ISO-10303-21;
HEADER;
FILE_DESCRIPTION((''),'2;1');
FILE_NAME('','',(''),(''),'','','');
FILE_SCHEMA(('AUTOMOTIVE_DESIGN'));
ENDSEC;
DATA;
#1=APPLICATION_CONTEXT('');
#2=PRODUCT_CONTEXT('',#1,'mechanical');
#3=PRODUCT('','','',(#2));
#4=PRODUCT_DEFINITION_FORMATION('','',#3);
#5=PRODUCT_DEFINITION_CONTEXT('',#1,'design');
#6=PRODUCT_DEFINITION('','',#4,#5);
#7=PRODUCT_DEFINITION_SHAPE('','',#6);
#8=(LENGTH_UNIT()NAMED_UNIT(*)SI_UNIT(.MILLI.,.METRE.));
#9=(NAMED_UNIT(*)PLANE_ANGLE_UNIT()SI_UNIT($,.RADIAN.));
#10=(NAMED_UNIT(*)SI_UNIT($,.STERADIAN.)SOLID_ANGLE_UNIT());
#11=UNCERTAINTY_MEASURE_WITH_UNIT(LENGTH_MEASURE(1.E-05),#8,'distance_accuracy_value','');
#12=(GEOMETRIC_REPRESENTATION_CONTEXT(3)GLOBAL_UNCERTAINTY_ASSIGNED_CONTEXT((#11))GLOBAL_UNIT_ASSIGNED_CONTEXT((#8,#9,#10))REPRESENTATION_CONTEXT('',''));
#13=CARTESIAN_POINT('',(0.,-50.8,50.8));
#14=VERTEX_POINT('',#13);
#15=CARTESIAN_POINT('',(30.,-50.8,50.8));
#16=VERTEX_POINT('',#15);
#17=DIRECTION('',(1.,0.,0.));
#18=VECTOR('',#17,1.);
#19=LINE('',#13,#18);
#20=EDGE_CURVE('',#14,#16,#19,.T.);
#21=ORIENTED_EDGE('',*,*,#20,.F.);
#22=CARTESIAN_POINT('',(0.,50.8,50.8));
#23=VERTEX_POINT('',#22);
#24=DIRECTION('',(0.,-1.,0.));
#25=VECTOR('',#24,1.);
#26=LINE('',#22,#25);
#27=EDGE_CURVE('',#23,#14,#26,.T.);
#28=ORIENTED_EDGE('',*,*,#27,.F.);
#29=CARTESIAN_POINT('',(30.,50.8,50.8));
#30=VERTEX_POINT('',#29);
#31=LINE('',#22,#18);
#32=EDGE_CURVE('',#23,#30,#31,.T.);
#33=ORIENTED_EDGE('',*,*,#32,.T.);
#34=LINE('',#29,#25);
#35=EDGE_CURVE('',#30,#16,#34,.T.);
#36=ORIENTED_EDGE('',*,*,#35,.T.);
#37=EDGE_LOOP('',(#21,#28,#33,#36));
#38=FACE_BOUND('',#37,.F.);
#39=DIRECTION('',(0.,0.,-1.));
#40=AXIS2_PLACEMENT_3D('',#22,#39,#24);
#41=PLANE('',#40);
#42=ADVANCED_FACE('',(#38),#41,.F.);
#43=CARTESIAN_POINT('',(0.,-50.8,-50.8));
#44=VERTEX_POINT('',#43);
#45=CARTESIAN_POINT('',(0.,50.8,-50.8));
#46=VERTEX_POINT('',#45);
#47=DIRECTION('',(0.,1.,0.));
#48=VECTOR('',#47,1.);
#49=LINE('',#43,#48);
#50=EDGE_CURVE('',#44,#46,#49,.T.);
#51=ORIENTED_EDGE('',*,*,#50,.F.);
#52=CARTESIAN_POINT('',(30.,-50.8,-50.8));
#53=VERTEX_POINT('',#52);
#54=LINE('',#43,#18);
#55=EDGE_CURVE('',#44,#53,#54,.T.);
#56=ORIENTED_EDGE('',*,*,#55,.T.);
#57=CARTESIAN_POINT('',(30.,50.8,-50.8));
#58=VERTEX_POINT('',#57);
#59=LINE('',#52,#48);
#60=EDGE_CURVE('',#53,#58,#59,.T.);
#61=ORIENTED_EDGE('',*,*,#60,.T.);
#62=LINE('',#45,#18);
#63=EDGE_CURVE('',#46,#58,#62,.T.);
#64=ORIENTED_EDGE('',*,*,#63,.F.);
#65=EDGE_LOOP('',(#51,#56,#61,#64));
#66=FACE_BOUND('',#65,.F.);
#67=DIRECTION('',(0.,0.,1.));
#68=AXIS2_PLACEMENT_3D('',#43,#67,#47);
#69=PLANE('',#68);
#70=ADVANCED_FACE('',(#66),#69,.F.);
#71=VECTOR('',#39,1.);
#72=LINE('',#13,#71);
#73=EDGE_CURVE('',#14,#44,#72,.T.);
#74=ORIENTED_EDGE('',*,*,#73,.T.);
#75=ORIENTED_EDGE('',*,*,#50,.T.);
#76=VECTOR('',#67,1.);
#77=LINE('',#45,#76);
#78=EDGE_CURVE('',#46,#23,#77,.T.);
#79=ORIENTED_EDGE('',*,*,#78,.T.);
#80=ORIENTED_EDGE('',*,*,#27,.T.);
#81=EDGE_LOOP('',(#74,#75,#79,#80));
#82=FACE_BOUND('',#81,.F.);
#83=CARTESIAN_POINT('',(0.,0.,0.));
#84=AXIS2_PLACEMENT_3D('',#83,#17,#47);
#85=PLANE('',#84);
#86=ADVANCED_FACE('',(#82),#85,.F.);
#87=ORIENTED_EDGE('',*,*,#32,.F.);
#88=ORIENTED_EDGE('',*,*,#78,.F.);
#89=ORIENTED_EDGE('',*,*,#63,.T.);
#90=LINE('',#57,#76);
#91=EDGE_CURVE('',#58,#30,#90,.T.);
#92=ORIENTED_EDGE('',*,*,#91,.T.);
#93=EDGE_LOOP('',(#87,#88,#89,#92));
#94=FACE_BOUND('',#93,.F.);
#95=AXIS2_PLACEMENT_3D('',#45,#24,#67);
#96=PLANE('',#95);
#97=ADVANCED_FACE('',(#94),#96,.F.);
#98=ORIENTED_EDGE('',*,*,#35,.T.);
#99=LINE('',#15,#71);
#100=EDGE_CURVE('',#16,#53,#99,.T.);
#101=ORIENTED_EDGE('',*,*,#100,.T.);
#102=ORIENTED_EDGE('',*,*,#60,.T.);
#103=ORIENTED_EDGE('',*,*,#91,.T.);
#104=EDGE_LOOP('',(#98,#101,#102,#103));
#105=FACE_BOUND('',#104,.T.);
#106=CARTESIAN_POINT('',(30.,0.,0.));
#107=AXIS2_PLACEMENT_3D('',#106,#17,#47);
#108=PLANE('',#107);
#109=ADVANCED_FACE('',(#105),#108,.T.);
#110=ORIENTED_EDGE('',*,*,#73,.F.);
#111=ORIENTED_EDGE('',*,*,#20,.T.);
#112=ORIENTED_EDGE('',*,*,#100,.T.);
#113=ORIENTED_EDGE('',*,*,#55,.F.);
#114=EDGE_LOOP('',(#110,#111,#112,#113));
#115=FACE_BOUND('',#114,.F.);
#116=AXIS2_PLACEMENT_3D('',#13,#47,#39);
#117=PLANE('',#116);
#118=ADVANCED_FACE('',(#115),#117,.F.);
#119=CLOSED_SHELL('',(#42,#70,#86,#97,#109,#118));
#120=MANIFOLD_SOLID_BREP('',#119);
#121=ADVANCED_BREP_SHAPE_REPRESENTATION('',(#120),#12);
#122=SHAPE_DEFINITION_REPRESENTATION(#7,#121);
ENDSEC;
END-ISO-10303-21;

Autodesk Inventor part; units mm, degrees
ref_plane "YZ Plane" through (0, 0, 0) normal (1, 0, 0) x (0, 1, 0)
ref_plane "XZ Plane" through (0, 0, 0) normal (0, 1, 0) x (-1, 0, 0)
ref_plane "XY Plane" through (0, 0, 0) normal (0, 0, 1) x (1, 0, 0)
sketch "Sketch1" plane through (0, 0, 0) normal (1, 0, 0) x (0, 1, 0)
  line L0 (-50.8, -50.8) -> (50.8, -50.8)
  line L1 (50.8, -50.8) -> (50.8, 50.8)
  line L2 (50.8, 50.8) -> (-50.8, 50.8)
  line L3 (-50.8, 50.8) -> (-50.8, -50.8)
  line L4 (-50.8, -50.8) -> (50.8, 50.8) construction
  line L5 (50.8, -50.8) -> (-50.8, 50.8) construction
  point P0 (0, 0)
  dimension "d0" = 101.6
  dimension "d1" = 101.6
extrude "Extrusion1" add sketch "Sketch1" along normal blind 30
equation "\"d0\" = width"
equation "\"d1\" = height"
equation "\"d2\" = aerogelThickness"
equation "\"acrylicThickness\" = 6.35"
equation "\"aerogelThickness\" = 30"
equation "\"height\" = 101.6"
equation "\"width\" = 101.6"
equation "\"depth\" = 152.4"
equation "\"mirrorAngle\" = 5deg"
equation "\"detectorWidth\" = 52"
equation "\"detectorHeight\" = 52"
equation "\"mirrorThickness\" = 3.175"
equation "\"fresnelEffectiveDiameter\" = 76.2"
equation "\"focalLength\" = 76.2"
equation "\"centerThickness\" = 1.524"
equation "\"ior\" = 1.49"
equation "\"fresnelAngle\" = 90deg"
equation "\"fresnelThickness\" = 0.1"
equation "\"mirrorSuppourtWidth\" = 38.1"
equation "\"sensorHolderFlushORingID\" = 304.8"
equation "\"oRingWidth\" = 3.175"
equation "\"sensorHolderSensorWidth\" = 53.975"
equation "\"frontBackORingID\" = 419.1"
equation "\"sensorHolderORingID\" = 203.2"
equation "\"sensorHolderHeight\" = 88.9"
equation "\"sensorHolderSensorHeight\" = 53.975"
equation "\"backGrooveBit\" = 4.8006"
equation "\"sensorHolderWidth\" = 88.9"
equation "\"mirrorGroove\" = 19.05"
equation "\"backMirrorGroove\" = 6.35"
equation "\"mirrorGrooveMill\" = 3.175"
equation "\"fresnelChamfer\" = 6.35"
equation "\"fresnelMirrorChamfer\" = 6.35"
equation "\"detectorOpeningHeight\" = 76.2"
equation "\"detectorOpeningWidth\" = 76.2"
properties part number "aerogelBlock" material "PC/ABS Plastic"
